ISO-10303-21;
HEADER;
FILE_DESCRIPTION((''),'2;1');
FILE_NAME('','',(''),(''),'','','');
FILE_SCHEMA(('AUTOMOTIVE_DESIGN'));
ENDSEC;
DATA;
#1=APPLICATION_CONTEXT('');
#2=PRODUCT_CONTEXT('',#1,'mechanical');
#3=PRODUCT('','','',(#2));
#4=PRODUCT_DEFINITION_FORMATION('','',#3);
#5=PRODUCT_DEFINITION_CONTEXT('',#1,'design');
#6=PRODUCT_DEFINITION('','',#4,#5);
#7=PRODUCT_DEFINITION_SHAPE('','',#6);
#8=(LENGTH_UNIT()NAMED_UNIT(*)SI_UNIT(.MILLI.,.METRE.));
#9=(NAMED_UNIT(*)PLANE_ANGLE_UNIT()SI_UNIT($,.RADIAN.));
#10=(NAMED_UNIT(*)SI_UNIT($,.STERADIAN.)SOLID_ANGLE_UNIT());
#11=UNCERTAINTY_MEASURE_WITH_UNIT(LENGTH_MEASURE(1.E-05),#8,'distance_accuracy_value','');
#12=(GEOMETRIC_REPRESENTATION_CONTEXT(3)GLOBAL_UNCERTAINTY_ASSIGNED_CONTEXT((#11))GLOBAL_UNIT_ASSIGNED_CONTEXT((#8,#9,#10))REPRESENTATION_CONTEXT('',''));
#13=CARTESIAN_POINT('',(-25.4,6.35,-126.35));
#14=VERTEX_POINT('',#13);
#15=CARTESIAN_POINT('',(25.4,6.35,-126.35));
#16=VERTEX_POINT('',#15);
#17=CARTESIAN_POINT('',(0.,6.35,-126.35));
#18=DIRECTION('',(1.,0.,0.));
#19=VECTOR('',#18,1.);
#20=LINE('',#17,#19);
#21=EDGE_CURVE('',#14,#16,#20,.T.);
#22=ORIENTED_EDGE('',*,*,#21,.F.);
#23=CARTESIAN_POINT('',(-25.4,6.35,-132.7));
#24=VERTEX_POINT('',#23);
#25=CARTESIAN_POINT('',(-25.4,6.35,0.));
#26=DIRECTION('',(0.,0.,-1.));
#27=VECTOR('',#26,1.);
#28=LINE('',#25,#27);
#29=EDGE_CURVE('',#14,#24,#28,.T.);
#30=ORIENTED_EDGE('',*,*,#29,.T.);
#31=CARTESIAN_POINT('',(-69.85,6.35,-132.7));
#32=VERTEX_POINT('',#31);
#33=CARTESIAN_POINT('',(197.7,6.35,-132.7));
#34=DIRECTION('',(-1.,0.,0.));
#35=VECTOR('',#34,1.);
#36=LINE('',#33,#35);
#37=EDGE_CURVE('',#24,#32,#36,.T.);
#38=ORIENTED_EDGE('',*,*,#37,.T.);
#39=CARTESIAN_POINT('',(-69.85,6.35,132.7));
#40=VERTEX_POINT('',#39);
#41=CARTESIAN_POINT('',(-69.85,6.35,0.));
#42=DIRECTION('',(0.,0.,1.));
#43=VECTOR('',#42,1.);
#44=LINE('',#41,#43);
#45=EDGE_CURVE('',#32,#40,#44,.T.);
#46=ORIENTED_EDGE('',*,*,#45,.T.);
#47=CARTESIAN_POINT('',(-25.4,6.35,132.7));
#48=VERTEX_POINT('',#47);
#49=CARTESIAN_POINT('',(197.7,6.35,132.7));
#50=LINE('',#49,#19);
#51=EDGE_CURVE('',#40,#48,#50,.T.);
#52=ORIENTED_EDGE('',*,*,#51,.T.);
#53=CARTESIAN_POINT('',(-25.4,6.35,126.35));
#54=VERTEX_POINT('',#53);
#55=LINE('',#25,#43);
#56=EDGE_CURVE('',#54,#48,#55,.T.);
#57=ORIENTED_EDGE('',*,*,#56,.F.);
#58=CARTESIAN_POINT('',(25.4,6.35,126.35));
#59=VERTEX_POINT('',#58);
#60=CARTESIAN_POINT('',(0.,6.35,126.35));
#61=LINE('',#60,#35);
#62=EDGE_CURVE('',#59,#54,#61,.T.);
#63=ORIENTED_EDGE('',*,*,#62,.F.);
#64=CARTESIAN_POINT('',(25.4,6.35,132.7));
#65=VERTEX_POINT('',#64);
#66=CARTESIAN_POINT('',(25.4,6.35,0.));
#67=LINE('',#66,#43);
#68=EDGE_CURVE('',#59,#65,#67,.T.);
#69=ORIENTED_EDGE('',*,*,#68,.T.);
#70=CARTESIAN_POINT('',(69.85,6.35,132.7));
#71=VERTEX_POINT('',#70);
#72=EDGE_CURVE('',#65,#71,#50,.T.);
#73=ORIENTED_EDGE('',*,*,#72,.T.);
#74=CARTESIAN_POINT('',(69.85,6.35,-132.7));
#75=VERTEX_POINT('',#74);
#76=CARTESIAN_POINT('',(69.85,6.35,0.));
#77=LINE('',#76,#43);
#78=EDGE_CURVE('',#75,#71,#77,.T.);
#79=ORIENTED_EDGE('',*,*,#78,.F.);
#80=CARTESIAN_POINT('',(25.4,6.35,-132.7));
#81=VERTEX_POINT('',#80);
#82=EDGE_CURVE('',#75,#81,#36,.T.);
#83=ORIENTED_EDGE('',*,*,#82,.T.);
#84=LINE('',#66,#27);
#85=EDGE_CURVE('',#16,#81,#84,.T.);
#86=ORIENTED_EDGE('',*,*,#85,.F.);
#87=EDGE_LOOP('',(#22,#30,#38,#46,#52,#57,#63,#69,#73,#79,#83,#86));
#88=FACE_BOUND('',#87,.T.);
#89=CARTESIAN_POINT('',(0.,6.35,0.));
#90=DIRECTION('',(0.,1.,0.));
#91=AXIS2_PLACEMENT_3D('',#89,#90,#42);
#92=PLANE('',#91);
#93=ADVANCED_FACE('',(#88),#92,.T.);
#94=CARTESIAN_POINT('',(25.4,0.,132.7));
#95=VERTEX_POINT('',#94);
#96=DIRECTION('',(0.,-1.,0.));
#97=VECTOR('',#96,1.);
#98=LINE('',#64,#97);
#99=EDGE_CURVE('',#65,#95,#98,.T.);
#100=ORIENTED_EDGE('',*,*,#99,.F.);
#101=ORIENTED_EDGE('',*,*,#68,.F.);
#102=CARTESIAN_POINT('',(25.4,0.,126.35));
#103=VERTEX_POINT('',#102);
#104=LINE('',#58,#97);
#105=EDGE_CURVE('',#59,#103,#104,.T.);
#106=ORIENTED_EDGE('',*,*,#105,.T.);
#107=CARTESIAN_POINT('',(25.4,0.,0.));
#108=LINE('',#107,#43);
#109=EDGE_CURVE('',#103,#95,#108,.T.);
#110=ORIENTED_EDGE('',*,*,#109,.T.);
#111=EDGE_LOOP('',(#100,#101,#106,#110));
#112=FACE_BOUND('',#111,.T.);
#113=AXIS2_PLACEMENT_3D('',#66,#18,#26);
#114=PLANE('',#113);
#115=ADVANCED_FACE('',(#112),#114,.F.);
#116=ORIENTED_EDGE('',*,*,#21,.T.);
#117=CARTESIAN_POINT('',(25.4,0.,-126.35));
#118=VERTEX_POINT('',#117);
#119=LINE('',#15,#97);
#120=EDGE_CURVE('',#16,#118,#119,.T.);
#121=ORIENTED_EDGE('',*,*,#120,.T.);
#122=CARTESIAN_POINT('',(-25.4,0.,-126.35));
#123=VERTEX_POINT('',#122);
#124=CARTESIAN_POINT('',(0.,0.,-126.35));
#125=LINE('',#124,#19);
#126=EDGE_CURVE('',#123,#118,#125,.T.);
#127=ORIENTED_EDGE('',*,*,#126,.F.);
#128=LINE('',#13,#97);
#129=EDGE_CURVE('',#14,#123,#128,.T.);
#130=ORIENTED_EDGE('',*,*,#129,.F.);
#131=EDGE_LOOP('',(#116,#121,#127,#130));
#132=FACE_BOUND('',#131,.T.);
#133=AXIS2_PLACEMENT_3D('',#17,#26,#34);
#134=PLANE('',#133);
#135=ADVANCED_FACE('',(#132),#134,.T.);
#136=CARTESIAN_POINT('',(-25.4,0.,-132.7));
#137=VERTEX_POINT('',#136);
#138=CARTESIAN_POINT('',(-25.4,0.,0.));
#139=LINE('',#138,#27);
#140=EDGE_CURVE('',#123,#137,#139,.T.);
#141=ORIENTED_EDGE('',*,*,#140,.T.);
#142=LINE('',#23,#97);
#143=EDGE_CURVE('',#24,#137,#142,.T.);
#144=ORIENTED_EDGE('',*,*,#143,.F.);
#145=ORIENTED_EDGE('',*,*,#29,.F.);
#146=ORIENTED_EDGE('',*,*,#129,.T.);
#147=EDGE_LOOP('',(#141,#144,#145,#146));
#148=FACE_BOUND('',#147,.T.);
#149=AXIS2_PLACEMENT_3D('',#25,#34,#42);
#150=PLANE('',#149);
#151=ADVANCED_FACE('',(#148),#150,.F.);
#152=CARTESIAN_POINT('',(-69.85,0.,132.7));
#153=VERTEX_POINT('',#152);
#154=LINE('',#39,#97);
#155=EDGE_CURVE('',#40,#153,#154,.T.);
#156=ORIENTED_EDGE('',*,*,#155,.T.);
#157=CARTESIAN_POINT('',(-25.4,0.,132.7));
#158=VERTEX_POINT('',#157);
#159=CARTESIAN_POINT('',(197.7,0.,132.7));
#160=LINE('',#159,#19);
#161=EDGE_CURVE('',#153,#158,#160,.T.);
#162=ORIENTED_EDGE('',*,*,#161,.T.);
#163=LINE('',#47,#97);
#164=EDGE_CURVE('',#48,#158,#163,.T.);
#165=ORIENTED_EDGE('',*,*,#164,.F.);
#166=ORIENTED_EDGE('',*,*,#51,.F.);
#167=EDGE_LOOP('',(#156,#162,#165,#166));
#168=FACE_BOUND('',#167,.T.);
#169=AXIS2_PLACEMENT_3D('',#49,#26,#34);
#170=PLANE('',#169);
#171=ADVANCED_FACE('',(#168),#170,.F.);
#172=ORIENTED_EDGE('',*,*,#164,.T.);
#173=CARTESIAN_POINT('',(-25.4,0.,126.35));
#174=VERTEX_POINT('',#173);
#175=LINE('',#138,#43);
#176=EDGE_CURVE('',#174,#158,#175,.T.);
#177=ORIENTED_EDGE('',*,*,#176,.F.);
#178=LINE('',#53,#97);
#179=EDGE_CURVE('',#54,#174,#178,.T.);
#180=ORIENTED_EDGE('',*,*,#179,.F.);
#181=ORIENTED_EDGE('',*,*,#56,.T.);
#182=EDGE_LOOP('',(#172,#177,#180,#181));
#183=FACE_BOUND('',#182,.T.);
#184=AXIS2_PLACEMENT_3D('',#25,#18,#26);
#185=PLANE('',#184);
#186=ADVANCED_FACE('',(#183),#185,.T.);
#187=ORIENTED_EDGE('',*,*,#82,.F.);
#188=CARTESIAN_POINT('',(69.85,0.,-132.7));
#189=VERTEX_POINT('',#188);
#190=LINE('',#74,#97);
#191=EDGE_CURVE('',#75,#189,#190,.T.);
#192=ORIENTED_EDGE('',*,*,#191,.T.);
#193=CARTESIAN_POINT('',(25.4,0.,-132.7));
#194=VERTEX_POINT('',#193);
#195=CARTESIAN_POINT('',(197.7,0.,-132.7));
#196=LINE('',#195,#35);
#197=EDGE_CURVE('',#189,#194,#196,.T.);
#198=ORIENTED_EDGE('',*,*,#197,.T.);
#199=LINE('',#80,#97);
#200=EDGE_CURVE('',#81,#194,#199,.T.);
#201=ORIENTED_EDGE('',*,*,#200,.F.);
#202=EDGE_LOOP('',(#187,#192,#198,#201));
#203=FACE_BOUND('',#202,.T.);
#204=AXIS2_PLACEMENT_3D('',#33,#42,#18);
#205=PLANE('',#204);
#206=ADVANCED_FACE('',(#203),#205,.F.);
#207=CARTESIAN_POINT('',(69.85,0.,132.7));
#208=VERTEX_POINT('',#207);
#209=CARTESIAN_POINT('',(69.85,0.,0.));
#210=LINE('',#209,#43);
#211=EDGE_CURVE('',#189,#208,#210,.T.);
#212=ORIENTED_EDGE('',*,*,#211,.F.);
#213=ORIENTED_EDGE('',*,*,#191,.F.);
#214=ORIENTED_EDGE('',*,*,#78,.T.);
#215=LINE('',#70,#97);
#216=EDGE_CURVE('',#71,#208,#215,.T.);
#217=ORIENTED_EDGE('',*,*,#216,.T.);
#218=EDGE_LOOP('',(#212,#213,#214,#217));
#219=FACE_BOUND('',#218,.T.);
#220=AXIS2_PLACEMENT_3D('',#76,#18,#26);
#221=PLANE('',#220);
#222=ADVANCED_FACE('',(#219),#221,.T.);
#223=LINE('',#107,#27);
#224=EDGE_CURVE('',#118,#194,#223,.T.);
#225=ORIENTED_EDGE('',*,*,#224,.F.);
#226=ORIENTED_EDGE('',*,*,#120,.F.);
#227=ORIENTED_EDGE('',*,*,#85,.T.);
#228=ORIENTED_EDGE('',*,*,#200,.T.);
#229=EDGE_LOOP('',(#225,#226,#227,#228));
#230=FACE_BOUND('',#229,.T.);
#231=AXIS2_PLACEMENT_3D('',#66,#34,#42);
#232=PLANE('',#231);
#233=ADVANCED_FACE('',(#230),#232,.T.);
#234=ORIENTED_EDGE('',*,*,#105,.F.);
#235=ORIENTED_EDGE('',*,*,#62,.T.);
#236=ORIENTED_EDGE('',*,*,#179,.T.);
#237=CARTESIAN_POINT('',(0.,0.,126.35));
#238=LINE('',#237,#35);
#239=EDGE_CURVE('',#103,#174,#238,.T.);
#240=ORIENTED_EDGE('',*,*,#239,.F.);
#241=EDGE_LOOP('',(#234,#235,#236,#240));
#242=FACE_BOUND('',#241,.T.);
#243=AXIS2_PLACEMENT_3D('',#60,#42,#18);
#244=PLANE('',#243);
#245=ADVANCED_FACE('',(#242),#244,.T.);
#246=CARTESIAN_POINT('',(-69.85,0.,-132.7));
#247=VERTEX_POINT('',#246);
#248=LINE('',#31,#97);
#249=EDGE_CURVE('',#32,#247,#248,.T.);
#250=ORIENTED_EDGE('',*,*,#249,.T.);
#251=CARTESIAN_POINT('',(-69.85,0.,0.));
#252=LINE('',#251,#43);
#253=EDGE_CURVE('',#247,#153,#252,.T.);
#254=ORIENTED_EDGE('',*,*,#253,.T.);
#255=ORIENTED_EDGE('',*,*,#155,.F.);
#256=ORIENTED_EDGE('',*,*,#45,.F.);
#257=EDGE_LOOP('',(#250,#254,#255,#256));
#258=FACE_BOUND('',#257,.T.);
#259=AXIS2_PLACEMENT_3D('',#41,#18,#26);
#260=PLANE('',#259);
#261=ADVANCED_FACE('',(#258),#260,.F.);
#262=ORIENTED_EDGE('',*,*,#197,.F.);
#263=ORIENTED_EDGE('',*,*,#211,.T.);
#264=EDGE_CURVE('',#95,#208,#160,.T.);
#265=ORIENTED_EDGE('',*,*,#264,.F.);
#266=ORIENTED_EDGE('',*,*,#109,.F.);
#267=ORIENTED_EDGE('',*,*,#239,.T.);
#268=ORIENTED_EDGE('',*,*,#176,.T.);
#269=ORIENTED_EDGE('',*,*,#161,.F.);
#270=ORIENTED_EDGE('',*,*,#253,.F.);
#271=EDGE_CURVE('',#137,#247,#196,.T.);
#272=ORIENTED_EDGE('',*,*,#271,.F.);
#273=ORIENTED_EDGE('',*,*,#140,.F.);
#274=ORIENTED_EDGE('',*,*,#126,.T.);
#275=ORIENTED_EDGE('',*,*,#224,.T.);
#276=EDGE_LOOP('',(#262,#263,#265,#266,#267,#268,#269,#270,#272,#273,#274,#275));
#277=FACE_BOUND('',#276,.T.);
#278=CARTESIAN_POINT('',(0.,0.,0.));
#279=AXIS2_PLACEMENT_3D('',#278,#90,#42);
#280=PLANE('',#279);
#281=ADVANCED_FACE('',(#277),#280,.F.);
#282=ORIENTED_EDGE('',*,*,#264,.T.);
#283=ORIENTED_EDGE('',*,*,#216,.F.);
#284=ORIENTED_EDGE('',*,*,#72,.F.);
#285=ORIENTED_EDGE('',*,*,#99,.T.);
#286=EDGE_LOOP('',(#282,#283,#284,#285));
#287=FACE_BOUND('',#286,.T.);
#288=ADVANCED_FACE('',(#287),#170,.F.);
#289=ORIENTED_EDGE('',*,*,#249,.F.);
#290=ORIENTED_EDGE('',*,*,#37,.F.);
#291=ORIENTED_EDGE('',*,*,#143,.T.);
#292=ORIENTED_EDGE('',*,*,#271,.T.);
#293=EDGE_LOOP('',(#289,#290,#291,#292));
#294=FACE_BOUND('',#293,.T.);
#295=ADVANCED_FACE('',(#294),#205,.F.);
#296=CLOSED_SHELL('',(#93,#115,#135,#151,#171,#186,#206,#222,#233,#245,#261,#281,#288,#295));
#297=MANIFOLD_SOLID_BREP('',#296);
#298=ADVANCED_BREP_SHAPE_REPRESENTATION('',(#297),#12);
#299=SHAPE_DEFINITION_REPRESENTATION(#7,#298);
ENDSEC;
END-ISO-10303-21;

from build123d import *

# Parameters (mm, degrees)
SKETCH5_W           = 395.4
SKETCH5_H           = 265.4
BOSS_EXTRUDE3_DEPTH = 6.35
SKETCH6_W           = 78.175
SKETCH6_H           = 243.175
SKETCH6_W_2         = 75
SKETCH6_H_2         = 240
CUT_EXTRUDE1_DEPTH  = 6.35
SKETCH10_W          = 6.35
SKETCH10_H          = 50.8
SKETCH10_W_2        = 50.8
SKETCH10_H_2        = 6.35
CUT_EXTRUDE2_DEPTH  = 6.35
SKETCH11_W          = 50.8
SKETCH11_H          = 6.35
CUT_EXTRUDE3_DEPTH  = 6.35
SKETCH12_W          = 78.175
SKETCH12_H          = 4.7625
BOSS_EXTRUDE4_DEPTH = 6.35
FILLET1_R           = 3.175
CUT_EXTRUDE4_DEPTH  = 239.190895082


with BuildPart() as part:
    # Sketch5 → Boss-Extrude3 (new body)
    with BuildSketch(Plane(origin=(0, 0, 0), x_dir=(1, 0, 0), z_dir=(0, 1, 0))):
        Rectangle(SKETCH5_W, SKETCH5_H)
    extrude(amount=BOSS_EXTRUDE3_DEPTH)

    # Sketch6 → Cut-Extrude1 (cut)
    # profile 1 of 4: a face of its own
    with BuildSketch(Plane(origin=(0, 6.35, 0), x_dir=(1, 0, 0), z_dir=(0, 1, 0))):
        with Locations((147.5, 0)):
            Rectangle(SKETCH6_W, SKETCH6_H)
        with Locations((147.5, 0)):
            Rectangle(SKETCH6_W_2, SKETCH6_H_2, mode=Mode.SUBTRACT)
    # profile 2 of 4: a face of its own
    with BuildSketch(Plane(origin=(0, 6.35, 0), x_dir=(1, 0, 0), z_dir=(0, 1, 0))):
        with Locations((147.5, 0)):
            Rectangle(SKETCH6_W_2, SKETCH6_H_2)
    # profile 3 of 4: a face of its own
    with BuildSketch(Plane(origin=(0, 6.35, 0), x_dir=(1, 0, 0), z_dir=(0, 1, 0))):
        with Locations((-147.5, 0)):
            Rectangle(SKETCH6_W, SKETCH6_H)
        with Locations((-147.5, 0)):
            Rectangle(SKETCH6_W_2, SKETCH6_H_2, mode=Mode.SUBTRACT)
    # profile 4 of 4: a face of its own
    with BuildSketch(Plane(origin=(0, 6.35, 0), x_dir=(1, 0, 0), z_dir=(0, 1, 0))):
        with Locations((-147.5, 0)):
            Rectangle(SKETCH6_W_2, SKETCH6_H_2)
    extrude(amount=-CUT_EXTRUDE1_DEPTH, mode=Mode.SUBTRACT)

    # Sketch10 → Cut-Extrude2 (cut)
    with BuildSketch(Plane.XZ):
        with Locations((98.8875, -63.5)):
            Rectangle(SKETCH10_W, SKETCH10_H)
        with Locations((98.8875, 63.5)):
            Rectangle(SKETCH10_W, SKETCH10_H)
        with Locations((-98.8875, 63.5)):
            Rectangle(SKETCH10_W, SKETCH10_H)
        with Locations((-98.8875, -63.5)):
            Rectangle(SKETCH10_W, SKETCH10_H)
        Polygon((197.7, 132.7), (177.8, 132.7), (177.8, 126.35), (191.35, 126.35), (197.7, 126.35), align=None)
        Polygon((127, 132.7), (76.2, 132.7), (76.2, 126.35), (95.7125, 126.35), (102.0625, 126.35), (108.4125, 126.35), (127, 126.35), align=None)
        with Locations((0, 129.525)):
            Rectangle(SKETCH10_W_2, SKETCH10_H_2)
        Polygon((-127, 132.7), (-127, 126.35), (-108.4125, 126.35), (-102.0625, 126.35), (-95.7125, 126.35), (-76.2, 126.35), (-76.2, 132.7), align=None)
        Polygon((-197.7, 126.35), (-191.35, 126.35), (-177.8, 126.35), (-177.8, 132.7), (-197.7, 132.7), align=None)
        Polygon((-177.8, -126.35), (-191.35, -126.35), (-197.7, -126.35), (-197.7, -132.7), (-177.8, -132.7), align=None)
        Polygon((-108.4125, -126.35), (-127, -126.35), (-127, -132.7), (-76.2, -132.7), (-76.2, -126.35), (-95.7125, -126.35), (-102.0625, -126.35), align=None)
        with Locations((0, -129.525)):
            Rectangle(SKETCH10_W_2, SKETCH10_H_2)
        Polygon((76.2, -126.35), (76.2, -132.7), (127, -132.7), (127, -126.35), (108.4125, -126.35), (102.0625, -126.35), (95.7125, -126.35), align=None)
        Polygon((177.8, -126.35), (177.8, -132.7), (197.7, -132.7), (197.7, -126.35), (191.35, -126.35), align=None)
    extrude(amount=-CUT_EXTRUDE2_DEPTH, mode=Mode.SUBTRACT)

    # Sketch11 → Cut-Extrude3 (cut)
    with BuildSketch(Plane(origin=(197.7, 0, 0), x_dir=(0, 0, -1), z_dir=(1, 0, 0))):
        with Locations((-63.5, 3.175)):
            Rectangle(SKETCH11_W, SKETCH11_H)
        with Locations((63.5, 3.175)):
            Rectangle(SKETCH11_W, SKETCH11_H)
    cut_extrude3 = extrude(amount=-CUT_EXTRUDE3_DEPTH, mode=Mode.SUBTRACT)

    # Mirror1: Cut-Extrude3 across plane
    add(cut_extrude3.mirror(Plane(origin=(0, 0, 0), x_dir=(0, 0, 1), z_dir=(1, 0, 0))), mode=Mode.SUBTRACT)

    # Sketch12 → Boss-Extrude4 (add)
    with BuildSketch(Plane.XZ):
        with Locations((147.5, -119.20625)):
            Rectangle(SKETCH12_W, SKETCH12_H)
        with Locations((147.5, 119.20625)):
            Rectangle(SKETCH12_W, SKETCH12_H)
        with Locations((-147.5, 119.20625)):
            Rectangle(SKETCH12_W, SKETCH12_H)
        with Locations((-147.5, -119.20625)):
            Rectangle(SKETCH12_W, SKETCH12_H)
    extrude(amount=-BOSS_EXTRUDE4_DEPTH)

    # Fillet1
    fillet1_edges = [part.edges().sort_by_distance(p)[0] for p in [
        (108.4125, 3.175, -116.825),
        (186.5875, 3.175, -116.825),
        (186.5875, 3.175, 116.825),
        (108.4125, 3.175, 116.825),
        (-186.5875, 3.175, 116.825),
        (-108.4125, 3.175, 116.825),
        (-108.4125, 3.175, -116.825),
        (-186.5875, 3.175, -116.825),
    ]]
    fillet(fillet1_edges, radius=FILLET1_R)

    # Sketch13 → Cut-Extrude4 (cut, through all)
    with BuildSketch(Plane.XZ):
        Polygon((69.85, 132.7), (69.85, -132.7), (76.2, -132.7), (76.2, -126.35), (127, -126.35), (127, -132.7), (177.8, -132.7), (177.8, -126.35), (197.7, -126.35), (197.7, -88.9), (191.35, -88.9), (191.35, -38.1), (197.7, -38.1), (197.7, 38.1), (191.35, 38.1), (191.35, 88.9), (197.7, 88.9), (197.7, 126.35), (177.8, 126.35), (177.8, 132.7), (127, 132.7), (127, 126.35), (76.2, 126.35), (76.2, 132.7), align=None)
        Polygon((-76.2, -132.7), (-69.85, -132.7), (-69.85, 132.7), (-76.2, 132.7), (-76.2, 126.35), (-127, 126.35), (-127, 132.7), (-177.8, 132.7), (-177.8, 126.35), (-197.7, 126.35), (-197.7, 88.9), (-191.35, 88.9), (-191.35, 38.1), (-197.7, 38.1), (-197.7, -38.1), (-191.35, -38.1), (-191.35, -88.9), (-197.7, -88.9), (-197.7, -126.35), (-177.8, -126.35), (-177.8, -132.7), (-127, -132.7), (-127, -126.35), (-76.2, -126.35), align=None)
    extrude(amount=-CUT_EXTRUDE4_DEPTH, mode=Mode.SUBTRACT)


solid = part.part
